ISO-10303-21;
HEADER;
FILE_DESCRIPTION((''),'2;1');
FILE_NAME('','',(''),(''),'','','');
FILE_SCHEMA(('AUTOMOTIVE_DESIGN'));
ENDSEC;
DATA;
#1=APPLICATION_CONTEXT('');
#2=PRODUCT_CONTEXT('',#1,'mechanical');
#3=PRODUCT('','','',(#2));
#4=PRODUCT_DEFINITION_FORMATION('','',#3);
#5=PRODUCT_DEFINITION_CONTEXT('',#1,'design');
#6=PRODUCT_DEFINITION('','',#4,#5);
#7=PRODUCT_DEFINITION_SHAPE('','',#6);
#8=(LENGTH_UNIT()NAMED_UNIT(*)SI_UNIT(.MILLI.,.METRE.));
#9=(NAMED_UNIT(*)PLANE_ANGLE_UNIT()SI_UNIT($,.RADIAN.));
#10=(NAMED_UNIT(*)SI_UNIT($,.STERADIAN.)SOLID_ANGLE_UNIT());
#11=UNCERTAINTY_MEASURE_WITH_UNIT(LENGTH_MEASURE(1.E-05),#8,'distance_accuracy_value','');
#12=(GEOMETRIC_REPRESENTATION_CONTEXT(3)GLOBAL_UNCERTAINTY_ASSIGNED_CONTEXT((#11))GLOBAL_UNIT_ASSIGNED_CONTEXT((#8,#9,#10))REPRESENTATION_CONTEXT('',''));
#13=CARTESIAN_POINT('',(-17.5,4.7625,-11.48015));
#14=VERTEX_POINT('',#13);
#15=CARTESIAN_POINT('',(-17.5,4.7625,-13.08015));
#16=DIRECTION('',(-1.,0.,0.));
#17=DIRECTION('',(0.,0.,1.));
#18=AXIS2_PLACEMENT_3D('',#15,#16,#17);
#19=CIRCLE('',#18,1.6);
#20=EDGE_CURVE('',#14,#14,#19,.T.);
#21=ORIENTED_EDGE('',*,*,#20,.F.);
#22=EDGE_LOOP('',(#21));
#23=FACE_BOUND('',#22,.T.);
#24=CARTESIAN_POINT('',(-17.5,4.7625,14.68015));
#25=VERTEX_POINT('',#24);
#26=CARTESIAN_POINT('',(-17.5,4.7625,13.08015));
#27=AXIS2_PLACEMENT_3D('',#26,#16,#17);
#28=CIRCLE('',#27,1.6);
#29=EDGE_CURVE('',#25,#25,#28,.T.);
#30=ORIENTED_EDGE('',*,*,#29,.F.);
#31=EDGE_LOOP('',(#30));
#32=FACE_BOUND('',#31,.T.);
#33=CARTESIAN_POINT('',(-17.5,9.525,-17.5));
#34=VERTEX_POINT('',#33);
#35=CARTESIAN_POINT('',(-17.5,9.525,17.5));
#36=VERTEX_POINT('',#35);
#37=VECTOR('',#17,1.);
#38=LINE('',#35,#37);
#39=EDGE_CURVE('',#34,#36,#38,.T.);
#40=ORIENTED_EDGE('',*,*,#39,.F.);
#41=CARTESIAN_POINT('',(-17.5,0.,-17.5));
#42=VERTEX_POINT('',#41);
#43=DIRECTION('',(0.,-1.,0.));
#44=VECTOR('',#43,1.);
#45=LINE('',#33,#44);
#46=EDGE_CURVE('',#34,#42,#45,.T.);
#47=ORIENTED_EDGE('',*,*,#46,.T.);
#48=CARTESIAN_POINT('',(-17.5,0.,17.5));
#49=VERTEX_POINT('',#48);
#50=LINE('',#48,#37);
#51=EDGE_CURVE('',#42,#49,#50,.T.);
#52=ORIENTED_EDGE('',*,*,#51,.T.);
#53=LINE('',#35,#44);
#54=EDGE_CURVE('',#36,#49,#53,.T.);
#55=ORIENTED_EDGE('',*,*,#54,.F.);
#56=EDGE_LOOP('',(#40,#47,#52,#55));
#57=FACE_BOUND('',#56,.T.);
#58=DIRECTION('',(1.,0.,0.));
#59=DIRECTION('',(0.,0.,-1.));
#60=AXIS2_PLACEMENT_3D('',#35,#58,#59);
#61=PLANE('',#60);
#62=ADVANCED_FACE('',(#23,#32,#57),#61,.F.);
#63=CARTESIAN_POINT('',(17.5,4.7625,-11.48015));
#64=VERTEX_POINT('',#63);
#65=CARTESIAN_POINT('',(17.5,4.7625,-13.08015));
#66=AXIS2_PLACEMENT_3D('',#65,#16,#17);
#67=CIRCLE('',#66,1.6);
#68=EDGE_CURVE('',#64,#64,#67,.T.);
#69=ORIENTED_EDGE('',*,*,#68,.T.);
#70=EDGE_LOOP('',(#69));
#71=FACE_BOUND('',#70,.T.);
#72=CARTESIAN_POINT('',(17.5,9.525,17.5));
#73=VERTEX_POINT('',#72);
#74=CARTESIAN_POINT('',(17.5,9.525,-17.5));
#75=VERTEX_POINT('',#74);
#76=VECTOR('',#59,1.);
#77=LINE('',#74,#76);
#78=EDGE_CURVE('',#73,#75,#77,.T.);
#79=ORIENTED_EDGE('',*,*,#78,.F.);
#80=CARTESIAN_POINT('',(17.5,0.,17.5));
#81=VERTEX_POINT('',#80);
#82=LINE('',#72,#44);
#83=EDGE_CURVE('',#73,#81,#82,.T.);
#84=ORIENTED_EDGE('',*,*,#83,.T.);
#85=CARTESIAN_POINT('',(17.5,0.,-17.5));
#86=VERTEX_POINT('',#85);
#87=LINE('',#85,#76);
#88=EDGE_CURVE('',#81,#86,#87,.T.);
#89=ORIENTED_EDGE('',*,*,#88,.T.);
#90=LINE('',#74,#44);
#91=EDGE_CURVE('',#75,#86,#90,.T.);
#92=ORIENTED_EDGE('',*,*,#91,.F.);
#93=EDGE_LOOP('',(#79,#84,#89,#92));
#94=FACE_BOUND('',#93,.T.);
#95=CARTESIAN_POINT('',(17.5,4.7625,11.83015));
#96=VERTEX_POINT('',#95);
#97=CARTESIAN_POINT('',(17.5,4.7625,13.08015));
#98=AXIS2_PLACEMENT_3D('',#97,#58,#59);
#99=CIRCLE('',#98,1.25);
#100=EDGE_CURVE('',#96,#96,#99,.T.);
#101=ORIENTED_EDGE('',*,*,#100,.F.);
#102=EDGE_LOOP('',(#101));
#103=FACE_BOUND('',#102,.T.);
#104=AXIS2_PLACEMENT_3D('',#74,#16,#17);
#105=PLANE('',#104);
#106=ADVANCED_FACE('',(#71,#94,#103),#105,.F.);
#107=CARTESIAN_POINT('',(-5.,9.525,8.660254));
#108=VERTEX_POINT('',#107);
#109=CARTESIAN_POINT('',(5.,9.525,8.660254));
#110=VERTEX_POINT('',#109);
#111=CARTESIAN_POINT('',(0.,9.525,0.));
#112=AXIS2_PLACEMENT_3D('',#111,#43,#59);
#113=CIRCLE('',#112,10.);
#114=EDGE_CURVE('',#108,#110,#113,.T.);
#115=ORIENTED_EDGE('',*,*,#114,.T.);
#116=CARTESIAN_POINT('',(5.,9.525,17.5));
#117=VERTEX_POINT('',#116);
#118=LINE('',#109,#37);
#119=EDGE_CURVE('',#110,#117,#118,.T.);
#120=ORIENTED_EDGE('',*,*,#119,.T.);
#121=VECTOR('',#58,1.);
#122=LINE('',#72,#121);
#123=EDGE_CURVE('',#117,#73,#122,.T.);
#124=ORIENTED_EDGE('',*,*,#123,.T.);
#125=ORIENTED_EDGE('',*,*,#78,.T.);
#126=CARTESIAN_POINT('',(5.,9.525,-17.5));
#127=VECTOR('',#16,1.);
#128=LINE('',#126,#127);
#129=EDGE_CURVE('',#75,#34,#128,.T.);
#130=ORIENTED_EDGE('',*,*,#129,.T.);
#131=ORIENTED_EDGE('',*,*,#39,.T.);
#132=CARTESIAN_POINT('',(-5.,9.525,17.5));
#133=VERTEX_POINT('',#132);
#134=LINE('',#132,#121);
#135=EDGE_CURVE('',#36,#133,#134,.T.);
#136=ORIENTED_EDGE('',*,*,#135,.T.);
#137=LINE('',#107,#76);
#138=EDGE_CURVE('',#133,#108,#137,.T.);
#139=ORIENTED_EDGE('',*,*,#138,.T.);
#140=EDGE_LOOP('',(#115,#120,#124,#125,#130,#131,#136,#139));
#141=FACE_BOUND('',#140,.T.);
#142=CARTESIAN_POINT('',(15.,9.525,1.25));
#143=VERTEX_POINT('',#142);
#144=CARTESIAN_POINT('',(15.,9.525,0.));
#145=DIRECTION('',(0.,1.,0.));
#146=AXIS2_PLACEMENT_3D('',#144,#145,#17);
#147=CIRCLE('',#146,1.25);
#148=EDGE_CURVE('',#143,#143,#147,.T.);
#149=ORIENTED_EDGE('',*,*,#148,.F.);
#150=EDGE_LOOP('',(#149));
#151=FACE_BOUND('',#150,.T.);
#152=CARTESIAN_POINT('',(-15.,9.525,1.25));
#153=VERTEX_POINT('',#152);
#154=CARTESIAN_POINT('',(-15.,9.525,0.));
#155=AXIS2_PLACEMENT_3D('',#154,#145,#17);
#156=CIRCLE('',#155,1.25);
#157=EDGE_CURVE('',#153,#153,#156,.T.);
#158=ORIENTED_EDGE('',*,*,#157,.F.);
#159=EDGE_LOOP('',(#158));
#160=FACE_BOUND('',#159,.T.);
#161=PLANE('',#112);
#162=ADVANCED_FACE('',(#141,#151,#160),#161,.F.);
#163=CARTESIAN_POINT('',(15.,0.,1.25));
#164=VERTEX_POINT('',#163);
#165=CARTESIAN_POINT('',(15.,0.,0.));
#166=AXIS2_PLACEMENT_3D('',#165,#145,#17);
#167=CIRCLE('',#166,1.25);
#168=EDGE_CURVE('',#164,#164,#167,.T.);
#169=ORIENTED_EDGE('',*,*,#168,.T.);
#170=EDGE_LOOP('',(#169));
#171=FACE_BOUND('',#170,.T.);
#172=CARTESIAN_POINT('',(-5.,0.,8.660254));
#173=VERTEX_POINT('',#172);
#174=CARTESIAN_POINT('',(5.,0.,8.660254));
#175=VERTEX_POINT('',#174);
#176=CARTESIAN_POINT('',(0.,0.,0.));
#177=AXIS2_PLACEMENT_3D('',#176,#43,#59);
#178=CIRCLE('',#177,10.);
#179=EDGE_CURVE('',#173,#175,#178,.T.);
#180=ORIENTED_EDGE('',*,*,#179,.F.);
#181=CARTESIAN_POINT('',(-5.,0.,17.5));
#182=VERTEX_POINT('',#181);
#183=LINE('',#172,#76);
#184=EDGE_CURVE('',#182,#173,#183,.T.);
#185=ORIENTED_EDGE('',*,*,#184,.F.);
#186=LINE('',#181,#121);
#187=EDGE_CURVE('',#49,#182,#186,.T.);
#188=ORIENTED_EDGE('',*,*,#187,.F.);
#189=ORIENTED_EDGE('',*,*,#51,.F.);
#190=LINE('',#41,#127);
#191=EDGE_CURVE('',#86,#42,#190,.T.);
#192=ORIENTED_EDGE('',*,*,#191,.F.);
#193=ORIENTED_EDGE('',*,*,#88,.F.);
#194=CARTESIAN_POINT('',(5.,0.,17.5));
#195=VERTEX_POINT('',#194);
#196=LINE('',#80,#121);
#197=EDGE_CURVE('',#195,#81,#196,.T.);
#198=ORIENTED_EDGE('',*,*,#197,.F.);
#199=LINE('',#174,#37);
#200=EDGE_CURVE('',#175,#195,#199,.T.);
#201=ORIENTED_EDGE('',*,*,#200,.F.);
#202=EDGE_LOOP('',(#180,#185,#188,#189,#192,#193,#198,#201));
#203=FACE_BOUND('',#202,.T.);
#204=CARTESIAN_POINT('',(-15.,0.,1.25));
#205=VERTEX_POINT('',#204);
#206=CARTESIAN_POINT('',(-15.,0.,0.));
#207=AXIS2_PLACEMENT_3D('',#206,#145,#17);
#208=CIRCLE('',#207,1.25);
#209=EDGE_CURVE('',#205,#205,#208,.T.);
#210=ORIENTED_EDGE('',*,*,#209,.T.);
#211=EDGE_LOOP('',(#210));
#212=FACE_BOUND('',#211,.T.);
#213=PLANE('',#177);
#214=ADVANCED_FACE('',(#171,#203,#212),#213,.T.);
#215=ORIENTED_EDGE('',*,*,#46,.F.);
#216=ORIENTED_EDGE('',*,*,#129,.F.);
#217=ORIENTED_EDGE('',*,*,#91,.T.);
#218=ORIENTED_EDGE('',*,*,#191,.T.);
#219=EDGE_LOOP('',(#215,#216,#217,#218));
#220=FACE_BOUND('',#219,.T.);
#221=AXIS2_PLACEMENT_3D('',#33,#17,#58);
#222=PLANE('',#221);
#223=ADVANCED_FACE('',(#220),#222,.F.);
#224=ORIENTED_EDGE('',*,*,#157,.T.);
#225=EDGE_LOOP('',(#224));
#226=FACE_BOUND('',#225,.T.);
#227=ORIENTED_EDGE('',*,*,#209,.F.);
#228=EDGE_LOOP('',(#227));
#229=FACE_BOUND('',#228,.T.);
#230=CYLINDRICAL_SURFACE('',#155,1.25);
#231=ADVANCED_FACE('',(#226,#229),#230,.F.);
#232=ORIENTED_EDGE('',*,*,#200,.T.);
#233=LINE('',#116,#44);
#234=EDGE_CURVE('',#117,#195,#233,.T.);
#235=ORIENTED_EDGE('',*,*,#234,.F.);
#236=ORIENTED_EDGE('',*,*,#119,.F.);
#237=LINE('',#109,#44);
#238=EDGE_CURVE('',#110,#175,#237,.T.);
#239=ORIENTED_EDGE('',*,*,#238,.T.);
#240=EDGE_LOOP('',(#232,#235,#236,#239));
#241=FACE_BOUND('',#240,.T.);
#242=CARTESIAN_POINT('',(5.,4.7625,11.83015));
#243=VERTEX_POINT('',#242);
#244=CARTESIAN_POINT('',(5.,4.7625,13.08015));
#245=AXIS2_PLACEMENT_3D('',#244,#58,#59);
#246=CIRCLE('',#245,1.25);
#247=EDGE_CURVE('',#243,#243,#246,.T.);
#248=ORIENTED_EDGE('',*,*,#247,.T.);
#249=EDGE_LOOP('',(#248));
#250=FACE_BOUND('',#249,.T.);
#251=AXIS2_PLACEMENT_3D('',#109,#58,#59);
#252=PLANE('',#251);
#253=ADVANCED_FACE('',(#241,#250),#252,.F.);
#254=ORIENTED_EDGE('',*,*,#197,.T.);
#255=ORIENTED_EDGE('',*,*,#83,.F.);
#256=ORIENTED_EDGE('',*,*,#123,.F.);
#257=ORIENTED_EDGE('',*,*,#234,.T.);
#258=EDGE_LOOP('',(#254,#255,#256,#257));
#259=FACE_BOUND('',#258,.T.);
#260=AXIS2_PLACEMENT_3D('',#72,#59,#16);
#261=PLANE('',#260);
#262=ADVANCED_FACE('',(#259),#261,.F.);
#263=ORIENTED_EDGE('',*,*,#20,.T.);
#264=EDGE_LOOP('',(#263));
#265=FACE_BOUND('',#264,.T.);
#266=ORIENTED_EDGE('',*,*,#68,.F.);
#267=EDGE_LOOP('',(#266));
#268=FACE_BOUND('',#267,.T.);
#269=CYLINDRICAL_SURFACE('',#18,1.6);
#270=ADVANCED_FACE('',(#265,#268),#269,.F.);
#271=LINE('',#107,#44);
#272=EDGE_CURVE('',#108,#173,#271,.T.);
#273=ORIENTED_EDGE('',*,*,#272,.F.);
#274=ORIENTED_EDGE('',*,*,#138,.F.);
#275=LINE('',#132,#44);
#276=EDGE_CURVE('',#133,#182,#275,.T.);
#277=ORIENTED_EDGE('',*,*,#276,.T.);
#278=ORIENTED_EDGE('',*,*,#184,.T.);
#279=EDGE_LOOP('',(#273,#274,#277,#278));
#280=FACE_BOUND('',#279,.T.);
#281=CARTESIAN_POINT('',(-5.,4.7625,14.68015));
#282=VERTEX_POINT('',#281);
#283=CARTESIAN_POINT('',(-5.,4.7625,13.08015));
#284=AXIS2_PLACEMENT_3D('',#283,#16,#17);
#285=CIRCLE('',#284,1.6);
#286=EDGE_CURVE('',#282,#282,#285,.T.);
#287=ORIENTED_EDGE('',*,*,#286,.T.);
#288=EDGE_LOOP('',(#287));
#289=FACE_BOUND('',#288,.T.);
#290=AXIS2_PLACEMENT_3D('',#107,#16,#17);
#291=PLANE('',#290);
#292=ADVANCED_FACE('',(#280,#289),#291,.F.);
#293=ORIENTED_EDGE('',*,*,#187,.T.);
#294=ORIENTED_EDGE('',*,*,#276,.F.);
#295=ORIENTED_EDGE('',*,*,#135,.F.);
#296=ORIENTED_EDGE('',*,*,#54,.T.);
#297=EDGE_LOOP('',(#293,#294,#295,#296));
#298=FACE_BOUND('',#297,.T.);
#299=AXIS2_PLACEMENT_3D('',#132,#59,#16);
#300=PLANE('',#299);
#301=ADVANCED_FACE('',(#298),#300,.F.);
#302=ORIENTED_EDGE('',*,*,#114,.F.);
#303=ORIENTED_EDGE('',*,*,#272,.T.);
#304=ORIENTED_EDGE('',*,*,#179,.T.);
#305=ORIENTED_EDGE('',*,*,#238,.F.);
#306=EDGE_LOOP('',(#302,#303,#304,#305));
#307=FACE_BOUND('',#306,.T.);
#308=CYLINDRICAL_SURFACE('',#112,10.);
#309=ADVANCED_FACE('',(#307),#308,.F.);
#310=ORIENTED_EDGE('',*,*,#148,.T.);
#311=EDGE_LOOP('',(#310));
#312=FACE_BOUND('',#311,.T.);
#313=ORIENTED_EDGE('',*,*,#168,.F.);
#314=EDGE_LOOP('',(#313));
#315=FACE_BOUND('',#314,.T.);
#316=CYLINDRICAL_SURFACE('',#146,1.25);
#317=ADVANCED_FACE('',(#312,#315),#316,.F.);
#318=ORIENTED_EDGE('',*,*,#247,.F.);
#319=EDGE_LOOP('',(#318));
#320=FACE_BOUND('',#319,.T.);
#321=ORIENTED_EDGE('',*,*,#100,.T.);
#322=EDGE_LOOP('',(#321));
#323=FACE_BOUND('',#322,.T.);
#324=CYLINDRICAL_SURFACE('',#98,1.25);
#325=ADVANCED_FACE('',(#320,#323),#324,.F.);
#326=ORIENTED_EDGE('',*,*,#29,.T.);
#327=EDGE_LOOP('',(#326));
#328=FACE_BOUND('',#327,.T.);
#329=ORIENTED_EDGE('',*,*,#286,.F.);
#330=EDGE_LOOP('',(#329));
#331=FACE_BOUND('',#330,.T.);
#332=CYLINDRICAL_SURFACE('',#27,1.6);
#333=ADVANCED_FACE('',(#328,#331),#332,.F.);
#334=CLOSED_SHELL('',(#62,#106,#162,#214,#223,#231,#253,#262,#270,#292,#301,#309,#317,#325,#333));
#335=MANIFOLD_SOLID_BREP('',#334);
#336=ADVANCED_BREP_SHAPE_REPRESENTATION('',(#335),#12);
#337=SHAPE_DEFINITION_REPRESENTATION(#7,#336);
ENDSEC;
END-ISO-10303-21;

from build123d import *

# Parameters (mm, degrees)
BOSS_EXTRUDE1_DEPTH              = 9.525
TAP_DRILL_FOR_M3X0_5_TAP1_D      = 2.5
TAP_DRILL_FOR_M3X0_5_TAP2_D      = 2.5
TAP_DRILL_FOR_M3X0_5_TAP3_REACH  = 42.274
TAP_DRILL_FOR_M3X0_5_TAP3_BORE_R = 1.25
M3_CLEARANCE_HOLE1_REACH         = 42.274
M3_CLEARANCE_HOLE1_BORE_R        = 1.6


with BuildPart() as part:
    # Sketch1 → Boss-Extrude1 (new body)
    with BuildSketch(Plane(origin=(0, 0, 0), x_dir=(1, 0, 0), z_dir=(0, 1, 0))):
        with BuildLine():
            Line((-17.5, 17.5), (-5, 17.5))
            Line((-5, 17.5), (5, 17.5))
            Line((5, 17.5), (17.5, 17.5))
            Line((17.5, 17.5), (17.5, -17.5))
            Line((17.5, -17.5), (5, -17.5))
            Line((5, -17.5), (5, -8.660254038))
            ThreePointArc((5, -8.660254038), (10, 0), (5, 8.660254038))
            ThreePointArc((5, 8.660254038), (0, 10), (-5, 8.660254038))
            ThreePointArc((-5, 8.660254038), (-10, 0), (-5, -8.660254038))
            Line((-5, -8.660254038), (-5, -17.5))
            Line((-5, -17.5), (-17.5, -17.5))
            Line((-17.5, -17.5), (-17.5, 17.5))
        make_face()
    extrude(amount=BOSS_EXTRUDE1_DEPTH)

    # Tap Drill for M3x0.5 Tap1 (through all)
    with Locations(Plane(origin=(0, 9.525, 0), x_dir=(1, 0, 0), z_dir=(0, 1, 0))):
        with Locations((-15, 0)):
            Hole(TAP_DRILL_FOR_M3X0_5_TAP1_D / 2)

    # Tap Drill for M3x0.5 Tap2 (through all)
    with Locations(Plane(origin=(0, 9.525, 0), x_dir=(1, 0, 0), z_dir=(0, 1, 0))):
        with Locations((15, 0)):
            Hole(TAP_DRILL_FOR_M3X0_5_TAP2_D / 2)

    # Tap Drill for M3x0.5 Tap3 bore → Tap Drill for M3x0.5 Tap3 (cut, up to next)
    with BuildSketch(Plane(origin=(17.5, 0, 0), x_dir=(0, 0, -1), z_dir=(1, 0, 0)), mode=Mode.PRIVATE) as tap_drill_for_m3x0_5_tap3_sk1:
        with Locations((13.08015, 4.7625)):
            Circle(TAP_DRILL_FOR_M3X0_5_TAP3_BORE_R)
    tap_drill_for_m3x0_5_tap3_tool1 = extrude(tap_drill_for_m3x0_5_tap3_sk1.sketch, amount=-TAP_DRILL_FOR_M3X0_5_TAP3_REACH, mode=Mode.PRIVATE) & part.part
    # Tap Drill for M3x0.5 Tap3 bore → Tap Drill for M3x0.5 Tap3 (cut, up to next)
    with BuildSketch(Plane(origin=(17.5, 0, 0), x_dir=(0, 0, -1), z_dir=(1, 0, 0)), mode=Mode.PRIVATE) as tap_drill_for_m3x0_5_tap3_sk2:
        with Locations((-13.08015, 4.7625)):
            Circle(TAP_DRILL_FOR_M3X0_5_TAP3_BORE_R)
    tap_drill_for_m3x0_5_tap3_tool2 = extrude(tap_drill_for_m3x0_5_tap3_sk2.sketch, amount=-TAP_DRILL_FOR_M3X0_5_TAP3_REACH, mode=Mode.PRIVATE) & part.part
    add(tap_drill_for_m3x0_5_tap3_tool1.solids().sort_by_distance((17.5, 4.7625, -13.08015))[0], mode=Mode.SUBTRACT)
    add(tap_drill_for_m3x0_5_tap3_tool2.solids().sort_by_distance((17.5, 4.7625, 13.08015))[0], mode=Mode.SUBTRACT)

    # M3 Clearance Hole1 bore → M3 Clearance Hole1 (cut, up to next)
    with BuildSketch(Plane.ZY.offset(17.5), mode=Mode.PRIVATE) as m3_clearance_hole1_sk1:
        with Locations((-13.08015, 4.7625)):
            Circle(M3_CLEARANCE_HOLE1_BORE_R)
    m3_clearance_hole1_tool1 = extrude(m3_clearance_hole1_sk1.sketch, amount=-M3_CLEARANCE_HOLE1_REACH, mode=Mode.PRIVATE) & part.part
    # M3 Clearance Hole1 bore → M3 Clearance Hole1 (cut, up to next)
    with BuildSketch(Plane.ZY.offset(17.5), mode=Mode.PRIVATE) as m3_clearance_hole1_sk2:
        with Locations((13.08015, 4.7625)):
            Circle(M3_CLEARANCE_HOLE1_BORE_R)
    m3_clearance_hole1_tool2 = extrude(m3_clearance_hole1_sk2.sketch, amount=-M3_CLEARANCE_HOLE1_REACH, mode=Mode.PRIVATE) & part.part
    add(m3_clearance_hole1_tool1.solids().sort_by_distance((-17.5, 4.7625, -13.08015))[0], mode=Mode.SUBTRACT)
    add(m3_clearance_hole1_tool2.solids().sort_by_distance((-17.5, 4.7625, 13.08015))[0], mode=Mode.SUBTRACT)


solid = part.part
